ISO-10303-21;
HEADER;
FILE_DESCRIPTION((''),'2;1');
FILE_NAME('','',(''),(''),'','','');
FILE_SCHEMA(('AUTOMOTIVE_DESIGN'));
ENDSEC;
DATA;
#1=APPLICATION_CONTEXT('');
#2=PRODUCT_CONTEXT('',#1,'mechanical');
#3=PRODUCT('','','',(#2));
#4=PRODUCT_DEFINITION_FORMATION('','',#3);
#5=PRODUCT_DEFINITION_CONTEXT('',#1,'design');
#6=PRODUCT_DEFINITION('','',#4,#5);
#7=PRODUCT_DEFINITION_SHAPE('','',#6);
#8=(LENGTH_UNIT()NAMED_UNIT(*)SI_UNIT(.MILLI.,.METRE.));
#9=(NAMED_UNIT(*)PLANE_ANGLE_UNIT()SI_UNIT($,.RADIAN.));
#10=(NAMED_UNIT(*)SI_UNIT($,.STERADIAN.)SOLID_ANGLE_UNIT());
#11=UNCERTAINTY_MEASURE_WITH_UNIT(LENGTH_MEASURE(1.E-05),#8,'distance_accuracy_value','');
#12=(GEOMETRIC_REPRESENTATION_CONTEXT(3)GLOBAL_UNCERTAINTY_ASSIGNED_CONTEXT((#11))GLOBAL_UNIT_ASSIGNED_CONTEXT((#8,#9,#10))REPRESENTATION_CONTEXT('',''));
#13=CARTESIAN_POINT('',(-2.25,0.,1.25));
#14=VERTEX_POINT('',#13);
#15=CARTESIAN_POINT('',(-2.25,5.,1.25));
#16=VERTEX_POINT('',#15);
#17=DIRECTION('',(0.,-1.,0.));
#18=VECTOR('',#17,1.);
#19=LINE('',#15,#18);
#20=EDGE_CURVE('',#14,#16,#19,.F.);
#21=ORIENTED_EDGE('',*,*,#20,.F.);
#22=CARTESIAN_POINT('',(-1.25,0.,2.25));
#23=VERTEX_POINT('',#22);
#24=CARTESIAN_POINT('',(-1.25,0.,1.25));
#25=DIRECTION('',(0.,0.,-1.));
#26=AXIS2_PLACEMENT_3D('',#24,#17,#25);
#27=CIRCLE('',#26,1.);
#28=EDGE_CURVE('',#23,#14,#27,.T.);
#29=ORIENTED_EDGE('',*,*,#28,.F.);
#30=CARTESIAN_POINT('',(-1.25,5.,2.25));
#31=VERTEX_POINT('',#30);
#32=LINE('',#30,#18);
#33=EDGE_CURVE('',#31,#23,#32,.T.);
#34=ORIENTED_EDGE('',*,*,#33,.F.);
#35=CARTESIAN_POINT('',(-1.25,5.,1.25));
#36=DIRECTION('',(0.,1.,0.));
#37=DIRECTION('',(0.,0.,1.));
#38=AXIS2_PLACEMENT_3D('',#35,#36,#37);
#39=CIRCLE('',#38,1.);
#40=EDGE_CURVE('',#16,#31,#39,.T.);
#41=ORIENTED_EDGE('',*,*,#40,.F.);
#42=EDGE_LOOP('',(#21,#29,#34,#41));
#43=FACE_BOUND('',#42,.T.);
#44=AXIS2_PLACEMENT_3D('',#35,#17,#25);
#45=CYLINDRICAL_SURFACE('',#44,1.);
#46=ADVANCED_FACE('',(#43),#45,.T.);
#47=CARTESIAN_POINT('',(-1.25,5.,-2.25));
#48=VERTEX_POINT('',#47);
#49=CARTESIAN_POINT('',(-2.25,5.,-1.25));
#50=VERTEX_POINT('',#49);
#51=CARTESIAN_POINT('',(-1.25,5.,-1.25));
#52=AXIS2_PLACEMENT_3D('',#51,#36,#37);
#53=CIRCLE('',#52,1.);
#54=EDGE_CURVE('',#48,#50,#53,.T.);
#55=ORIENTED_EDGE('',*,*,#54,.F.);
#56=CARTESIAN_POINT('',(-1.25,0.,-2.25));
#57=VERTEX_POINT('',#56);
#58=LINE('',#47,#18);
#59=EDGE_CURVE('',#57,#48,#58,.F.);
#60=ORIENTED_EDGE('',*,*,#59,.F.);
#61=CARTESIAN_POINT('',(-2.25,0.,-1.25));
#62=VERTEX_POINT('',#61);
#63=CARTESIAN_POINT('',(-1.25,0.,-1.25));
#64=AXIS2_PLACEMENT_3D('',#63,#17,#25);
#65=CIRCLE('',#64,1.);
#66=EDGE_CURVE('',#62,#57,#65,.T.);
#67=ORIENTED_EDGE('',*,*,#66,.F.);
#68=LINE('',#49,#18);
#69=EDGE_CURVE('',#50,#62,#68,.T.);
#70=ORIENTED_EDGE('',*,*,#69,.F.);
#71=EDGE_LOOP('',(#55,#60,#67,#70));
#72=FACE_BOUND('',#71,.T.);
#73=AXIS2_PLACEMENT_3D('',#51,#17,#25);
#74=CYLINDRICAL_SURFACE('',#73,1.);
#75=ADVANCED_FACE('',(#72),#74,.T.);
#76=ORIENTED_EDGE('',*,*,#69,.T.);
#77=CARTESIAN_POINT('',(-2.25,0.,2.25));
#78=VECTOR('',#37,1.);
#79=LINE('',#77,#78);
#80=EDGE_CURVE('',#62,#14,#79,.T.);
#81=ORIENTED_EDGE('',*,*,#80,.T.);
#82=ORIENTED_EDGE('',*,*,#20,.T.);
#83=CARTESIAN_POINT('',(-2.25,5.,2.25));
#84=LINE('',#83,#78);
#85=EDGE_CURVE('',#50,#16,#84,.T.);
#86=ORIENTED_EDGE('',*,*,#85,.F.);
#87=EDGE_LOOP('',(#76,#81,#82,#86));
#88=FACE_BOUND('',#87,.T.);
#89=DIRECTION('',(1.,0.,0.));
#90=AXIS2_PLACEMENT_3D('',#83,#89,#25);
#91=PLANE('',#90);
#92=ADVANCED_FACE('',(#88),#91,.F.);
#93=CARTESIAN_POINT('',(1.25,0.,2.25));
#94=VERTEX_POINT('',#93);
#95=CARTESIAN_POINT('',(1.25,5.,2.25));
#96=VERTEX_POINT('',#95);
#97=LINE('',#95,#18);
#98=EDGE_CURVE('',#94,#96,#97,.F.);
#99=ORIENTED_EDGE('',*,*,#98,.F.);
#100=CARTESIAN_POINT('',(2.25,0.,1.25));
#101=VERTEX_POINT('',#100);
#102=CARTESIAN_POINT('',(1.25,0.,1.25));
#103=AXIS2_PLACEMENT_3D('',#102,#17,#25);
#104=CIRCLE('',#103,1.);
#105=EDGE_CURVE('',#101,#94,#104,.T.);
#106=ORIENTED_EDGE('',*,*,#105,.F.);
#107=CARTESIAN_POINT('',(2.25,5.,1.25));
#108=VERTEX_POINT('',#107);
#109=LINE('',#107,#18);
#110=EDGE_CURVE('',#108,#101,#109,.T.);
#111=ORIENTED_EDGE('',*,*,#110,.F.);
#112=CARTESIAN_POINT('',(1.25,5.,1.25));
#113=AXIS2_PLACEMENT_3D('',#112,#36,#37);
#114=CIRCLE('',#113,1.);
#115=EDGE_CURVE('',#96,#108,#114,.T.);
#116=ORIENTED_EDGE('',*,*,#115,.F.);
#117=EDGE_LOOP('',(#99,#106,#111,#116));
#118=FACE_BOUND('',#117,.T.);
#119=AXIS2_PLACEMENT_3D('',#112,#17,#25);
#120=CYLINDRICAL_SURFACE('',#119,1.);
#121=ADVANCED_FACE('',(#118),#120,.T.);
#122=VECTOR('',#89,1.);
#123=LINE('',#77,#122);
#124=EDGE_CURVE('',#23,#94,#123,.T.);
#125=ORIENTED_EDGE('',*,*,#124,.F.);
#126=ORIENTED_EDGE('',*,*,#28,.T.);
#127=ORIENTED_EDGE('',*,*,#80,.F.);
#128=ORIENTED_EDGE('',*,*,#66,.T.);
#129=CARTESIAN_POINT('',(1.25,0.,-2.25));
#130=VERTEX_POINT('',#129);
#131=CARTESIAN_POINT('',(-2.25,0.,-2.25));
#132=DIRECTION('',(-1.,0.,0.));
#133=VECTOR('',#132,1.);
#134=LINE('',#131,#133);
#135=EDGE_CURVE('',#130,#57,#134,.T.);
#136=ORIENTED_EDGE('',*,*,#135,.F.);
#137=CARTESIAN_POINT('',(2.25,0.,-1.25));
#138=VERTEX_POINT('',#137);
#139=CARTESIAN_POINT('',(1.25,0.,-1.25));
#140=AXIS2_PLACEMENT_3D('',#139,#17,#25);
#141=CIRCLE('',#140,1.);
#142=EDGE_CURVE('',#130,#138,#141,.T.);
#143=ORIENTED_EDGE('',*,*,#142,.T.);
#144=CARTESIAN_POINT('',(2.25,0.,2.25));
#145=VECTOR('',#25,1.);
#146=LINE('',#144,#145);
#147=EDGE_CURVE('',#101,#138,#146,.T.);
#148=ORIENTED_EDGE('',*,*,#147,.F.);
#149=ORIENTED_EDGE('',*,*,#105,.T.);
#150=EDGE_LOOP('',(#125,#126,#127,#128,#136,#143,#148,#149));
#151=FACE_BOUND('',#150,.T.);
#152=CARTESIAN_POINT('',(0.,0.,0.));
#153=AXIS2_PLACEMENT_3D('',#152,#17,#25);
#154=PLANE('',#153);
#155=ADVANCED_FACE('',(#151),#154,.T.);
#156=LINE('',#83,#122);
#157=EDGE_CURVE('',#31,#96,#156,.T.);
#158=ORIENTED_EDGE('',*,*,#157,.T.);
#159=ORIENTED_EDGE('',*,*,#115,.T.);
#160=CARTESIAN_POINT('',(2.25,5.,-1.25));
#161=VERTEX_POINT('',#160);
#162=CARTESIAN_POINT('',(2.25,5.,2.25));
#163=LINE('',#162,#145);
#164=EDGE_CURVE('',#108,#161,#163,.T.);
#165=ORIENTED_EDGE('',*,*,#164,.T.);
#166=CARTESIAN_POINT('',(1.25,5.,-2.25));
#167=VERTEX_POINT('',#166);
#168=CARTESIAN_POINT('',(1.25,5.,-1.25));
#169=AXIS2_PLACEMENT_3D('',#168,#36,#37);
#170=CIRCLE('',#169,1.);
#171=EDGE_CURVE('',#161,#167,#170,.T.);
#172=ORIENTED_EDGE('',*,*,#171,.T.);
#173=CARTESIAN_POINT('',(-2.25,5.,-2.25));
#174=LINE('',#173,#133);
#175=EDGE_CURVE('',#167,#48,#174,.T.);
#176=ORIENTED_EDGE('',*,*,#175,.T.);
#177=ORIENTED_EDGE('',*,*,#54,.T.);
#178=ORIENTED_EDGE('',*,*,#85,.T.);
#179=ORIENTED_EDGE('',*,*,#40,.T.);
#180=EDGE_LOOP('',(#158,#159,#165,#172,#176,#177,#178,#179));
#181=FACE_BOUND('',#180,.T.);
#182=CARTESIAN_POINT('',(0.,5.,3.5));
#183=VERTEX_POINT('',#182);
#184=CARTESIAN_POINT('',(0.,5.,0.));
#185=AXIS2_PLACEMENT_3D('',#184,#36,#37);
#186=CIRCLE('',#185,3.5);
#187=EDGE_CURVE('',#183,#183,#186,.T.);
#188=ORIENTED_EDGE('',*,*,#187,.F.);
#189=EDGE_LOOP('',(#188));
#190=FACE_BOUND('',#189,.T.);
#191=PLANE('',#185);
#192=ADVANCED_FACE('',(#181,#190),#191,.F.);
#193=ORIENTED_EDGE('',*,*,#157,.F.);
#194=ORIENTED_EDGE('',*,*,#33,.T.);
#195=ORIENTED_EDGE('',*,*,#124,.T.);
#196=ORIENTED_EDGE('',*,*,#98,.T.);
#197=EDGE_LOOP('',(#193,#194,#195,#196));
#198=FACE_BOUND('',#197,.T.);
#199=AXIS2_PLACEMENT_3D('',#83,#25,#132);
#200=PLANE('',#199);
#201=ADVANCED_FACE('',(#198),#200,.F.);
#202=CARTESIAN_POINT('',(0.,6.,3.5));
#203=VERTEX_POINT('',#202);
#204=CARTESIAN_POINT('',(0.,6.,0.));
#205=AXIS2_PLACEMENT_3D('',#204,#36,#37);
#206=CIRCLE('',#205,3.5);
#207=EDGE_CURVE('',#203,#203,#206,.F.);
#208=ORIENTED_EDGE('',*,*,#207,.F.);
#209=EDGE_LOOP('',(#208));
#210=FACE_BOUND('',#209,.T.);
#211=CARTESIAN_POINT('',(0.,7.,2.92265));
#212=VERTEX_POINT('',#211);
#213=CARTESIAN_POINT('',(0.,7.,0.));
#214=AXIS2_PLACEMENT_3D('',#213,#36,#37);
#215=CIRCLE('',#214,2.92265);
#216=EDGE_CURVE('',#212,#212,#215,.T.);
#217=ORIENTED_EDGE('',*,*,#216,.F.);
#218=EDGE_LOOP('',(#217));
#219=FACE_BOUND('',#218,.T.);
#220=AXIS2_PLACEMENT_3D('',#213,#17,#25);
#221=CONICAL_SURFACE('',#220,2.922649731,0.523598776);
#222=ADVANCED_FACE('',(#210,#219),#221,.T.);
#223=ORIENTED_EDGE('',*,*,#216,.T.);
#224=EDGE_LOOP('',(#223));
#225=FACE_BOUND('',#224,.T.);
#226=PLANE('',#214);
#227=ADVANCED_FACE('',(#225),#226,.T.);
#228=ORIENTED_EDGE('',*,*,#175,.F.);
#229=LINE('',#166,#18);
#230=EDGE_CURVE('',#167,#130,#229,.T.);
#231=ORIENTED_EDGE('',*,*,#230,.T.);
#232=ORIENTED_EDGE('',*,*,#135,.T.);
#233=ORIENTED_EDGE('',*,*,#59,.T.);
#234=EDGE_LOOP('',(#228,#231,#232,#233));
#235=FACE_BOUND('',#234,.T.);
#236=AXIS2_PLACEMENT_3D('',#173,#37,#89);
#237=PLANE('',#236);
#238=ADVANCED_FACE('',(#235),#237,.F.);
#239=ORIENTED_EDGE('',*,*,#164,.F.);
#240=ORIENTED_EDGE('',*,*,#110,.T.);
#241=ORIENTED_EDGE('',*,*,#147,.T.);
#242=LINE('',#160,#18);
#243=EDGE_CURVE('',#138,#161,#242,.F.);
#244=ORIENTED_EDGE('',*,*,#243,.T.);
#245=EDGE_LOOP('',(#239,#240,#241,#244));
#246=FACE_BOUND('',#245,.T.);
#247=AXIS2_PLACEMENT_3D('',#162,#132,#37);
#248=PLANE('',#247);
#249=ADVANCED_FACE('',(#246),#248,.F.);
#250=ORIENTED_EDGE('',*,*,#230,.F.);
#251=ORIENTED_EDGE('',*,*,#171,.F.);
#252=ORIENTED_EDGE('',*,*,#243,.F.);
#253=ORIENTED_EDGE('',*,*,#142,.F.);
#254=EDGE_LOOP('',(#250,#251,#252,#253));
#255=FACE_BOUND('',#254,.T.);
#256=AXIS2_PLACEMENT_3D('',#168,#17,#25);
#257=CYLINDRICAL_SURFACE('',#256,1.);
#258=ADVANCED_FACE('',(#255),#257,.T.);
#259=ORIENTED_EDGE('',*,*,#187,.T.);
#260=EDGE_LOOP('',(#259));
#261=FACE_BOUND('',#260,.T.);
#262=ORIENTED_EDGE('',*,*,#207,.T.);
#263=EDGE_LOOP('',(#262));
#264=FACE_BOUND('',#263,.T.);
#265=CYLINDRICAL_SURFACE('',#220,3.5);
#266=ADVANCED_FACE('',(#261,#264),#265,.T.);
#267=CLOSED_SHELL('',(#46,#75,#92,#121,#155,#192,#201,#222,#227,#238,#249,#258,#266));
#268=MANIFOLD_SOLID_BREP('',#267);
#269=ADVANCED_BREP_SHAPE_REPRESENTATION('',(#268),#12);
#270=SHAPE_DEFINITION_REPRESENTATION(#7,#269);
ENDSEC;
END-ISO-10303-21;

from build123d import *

# Parameters (mm, degrees)
SKETCH_2_W      = 4.5
SKETCH_2_H      = 4.5
EXTRUDE_1_DEPTH = 5
SKETCH_3_R      = 3.5
EXTRUDE_2_DEPTH = 2
CHAMFER_1_SIZE  = 1
CHAMFER_1_SIZE2 = 0.577350269
FILLET_1_R      = 1


with BuildPart() as part:
    # Эскиз2 → Бобышка-Вытянуть1 (new body)
    with BuildSketch(Plane(origin=(0, 0, 0), x_dir=(1, 0, 0), z_dir=(0, 1, 0))):
        Rectangle(SKETCH_2_W, SKETCH_2_H)
    extrude(amount=EXTRUDE_1_DEPTH)

    # Эскиз3 → Бобышка-Вытянуть2 (add)
    with BuildSketch(Plane(origin=(0, 5, 0), x_dir=(1, 0, 0), z_dir=(0, 1, 0))):
        with Locations(Location((0, 0, 0), (0, 0, 270))):
            Circle(SKETCH_3_R)
    extrude(amount=EXTRUDE_2_DEPTH)

    # Фаска1
    chamfer_1_edges = [part.edges().sort_by_distance(p)[0] for p in [
        (0, 7, -3.5),
    ]]
    chamfer_1_side = [part.faces().sort_by_distance(p)[0] for p in [
        (0, 6, -3.5),
    ]]
    chamfer(chamfer_1_edges, length=CHAMFER_1_SIZE, length2=CHAMFER_1_SIZE2, reference=chamfer_1_side[0])

    # Скругление1
    fillet_1_edges = [part.edges().sort_by_distance(p)[0] for p in [
        (2.25, 2.5, 2.25),
        (-2.25, 2.5, 2.25),
        (-2.25, 2.5, -2.25),
        (2.25, 2.5, -2.25),
    ]]
    fillet(fillet_1_edges, radius=FILLET_1_R)


solid = part.part
